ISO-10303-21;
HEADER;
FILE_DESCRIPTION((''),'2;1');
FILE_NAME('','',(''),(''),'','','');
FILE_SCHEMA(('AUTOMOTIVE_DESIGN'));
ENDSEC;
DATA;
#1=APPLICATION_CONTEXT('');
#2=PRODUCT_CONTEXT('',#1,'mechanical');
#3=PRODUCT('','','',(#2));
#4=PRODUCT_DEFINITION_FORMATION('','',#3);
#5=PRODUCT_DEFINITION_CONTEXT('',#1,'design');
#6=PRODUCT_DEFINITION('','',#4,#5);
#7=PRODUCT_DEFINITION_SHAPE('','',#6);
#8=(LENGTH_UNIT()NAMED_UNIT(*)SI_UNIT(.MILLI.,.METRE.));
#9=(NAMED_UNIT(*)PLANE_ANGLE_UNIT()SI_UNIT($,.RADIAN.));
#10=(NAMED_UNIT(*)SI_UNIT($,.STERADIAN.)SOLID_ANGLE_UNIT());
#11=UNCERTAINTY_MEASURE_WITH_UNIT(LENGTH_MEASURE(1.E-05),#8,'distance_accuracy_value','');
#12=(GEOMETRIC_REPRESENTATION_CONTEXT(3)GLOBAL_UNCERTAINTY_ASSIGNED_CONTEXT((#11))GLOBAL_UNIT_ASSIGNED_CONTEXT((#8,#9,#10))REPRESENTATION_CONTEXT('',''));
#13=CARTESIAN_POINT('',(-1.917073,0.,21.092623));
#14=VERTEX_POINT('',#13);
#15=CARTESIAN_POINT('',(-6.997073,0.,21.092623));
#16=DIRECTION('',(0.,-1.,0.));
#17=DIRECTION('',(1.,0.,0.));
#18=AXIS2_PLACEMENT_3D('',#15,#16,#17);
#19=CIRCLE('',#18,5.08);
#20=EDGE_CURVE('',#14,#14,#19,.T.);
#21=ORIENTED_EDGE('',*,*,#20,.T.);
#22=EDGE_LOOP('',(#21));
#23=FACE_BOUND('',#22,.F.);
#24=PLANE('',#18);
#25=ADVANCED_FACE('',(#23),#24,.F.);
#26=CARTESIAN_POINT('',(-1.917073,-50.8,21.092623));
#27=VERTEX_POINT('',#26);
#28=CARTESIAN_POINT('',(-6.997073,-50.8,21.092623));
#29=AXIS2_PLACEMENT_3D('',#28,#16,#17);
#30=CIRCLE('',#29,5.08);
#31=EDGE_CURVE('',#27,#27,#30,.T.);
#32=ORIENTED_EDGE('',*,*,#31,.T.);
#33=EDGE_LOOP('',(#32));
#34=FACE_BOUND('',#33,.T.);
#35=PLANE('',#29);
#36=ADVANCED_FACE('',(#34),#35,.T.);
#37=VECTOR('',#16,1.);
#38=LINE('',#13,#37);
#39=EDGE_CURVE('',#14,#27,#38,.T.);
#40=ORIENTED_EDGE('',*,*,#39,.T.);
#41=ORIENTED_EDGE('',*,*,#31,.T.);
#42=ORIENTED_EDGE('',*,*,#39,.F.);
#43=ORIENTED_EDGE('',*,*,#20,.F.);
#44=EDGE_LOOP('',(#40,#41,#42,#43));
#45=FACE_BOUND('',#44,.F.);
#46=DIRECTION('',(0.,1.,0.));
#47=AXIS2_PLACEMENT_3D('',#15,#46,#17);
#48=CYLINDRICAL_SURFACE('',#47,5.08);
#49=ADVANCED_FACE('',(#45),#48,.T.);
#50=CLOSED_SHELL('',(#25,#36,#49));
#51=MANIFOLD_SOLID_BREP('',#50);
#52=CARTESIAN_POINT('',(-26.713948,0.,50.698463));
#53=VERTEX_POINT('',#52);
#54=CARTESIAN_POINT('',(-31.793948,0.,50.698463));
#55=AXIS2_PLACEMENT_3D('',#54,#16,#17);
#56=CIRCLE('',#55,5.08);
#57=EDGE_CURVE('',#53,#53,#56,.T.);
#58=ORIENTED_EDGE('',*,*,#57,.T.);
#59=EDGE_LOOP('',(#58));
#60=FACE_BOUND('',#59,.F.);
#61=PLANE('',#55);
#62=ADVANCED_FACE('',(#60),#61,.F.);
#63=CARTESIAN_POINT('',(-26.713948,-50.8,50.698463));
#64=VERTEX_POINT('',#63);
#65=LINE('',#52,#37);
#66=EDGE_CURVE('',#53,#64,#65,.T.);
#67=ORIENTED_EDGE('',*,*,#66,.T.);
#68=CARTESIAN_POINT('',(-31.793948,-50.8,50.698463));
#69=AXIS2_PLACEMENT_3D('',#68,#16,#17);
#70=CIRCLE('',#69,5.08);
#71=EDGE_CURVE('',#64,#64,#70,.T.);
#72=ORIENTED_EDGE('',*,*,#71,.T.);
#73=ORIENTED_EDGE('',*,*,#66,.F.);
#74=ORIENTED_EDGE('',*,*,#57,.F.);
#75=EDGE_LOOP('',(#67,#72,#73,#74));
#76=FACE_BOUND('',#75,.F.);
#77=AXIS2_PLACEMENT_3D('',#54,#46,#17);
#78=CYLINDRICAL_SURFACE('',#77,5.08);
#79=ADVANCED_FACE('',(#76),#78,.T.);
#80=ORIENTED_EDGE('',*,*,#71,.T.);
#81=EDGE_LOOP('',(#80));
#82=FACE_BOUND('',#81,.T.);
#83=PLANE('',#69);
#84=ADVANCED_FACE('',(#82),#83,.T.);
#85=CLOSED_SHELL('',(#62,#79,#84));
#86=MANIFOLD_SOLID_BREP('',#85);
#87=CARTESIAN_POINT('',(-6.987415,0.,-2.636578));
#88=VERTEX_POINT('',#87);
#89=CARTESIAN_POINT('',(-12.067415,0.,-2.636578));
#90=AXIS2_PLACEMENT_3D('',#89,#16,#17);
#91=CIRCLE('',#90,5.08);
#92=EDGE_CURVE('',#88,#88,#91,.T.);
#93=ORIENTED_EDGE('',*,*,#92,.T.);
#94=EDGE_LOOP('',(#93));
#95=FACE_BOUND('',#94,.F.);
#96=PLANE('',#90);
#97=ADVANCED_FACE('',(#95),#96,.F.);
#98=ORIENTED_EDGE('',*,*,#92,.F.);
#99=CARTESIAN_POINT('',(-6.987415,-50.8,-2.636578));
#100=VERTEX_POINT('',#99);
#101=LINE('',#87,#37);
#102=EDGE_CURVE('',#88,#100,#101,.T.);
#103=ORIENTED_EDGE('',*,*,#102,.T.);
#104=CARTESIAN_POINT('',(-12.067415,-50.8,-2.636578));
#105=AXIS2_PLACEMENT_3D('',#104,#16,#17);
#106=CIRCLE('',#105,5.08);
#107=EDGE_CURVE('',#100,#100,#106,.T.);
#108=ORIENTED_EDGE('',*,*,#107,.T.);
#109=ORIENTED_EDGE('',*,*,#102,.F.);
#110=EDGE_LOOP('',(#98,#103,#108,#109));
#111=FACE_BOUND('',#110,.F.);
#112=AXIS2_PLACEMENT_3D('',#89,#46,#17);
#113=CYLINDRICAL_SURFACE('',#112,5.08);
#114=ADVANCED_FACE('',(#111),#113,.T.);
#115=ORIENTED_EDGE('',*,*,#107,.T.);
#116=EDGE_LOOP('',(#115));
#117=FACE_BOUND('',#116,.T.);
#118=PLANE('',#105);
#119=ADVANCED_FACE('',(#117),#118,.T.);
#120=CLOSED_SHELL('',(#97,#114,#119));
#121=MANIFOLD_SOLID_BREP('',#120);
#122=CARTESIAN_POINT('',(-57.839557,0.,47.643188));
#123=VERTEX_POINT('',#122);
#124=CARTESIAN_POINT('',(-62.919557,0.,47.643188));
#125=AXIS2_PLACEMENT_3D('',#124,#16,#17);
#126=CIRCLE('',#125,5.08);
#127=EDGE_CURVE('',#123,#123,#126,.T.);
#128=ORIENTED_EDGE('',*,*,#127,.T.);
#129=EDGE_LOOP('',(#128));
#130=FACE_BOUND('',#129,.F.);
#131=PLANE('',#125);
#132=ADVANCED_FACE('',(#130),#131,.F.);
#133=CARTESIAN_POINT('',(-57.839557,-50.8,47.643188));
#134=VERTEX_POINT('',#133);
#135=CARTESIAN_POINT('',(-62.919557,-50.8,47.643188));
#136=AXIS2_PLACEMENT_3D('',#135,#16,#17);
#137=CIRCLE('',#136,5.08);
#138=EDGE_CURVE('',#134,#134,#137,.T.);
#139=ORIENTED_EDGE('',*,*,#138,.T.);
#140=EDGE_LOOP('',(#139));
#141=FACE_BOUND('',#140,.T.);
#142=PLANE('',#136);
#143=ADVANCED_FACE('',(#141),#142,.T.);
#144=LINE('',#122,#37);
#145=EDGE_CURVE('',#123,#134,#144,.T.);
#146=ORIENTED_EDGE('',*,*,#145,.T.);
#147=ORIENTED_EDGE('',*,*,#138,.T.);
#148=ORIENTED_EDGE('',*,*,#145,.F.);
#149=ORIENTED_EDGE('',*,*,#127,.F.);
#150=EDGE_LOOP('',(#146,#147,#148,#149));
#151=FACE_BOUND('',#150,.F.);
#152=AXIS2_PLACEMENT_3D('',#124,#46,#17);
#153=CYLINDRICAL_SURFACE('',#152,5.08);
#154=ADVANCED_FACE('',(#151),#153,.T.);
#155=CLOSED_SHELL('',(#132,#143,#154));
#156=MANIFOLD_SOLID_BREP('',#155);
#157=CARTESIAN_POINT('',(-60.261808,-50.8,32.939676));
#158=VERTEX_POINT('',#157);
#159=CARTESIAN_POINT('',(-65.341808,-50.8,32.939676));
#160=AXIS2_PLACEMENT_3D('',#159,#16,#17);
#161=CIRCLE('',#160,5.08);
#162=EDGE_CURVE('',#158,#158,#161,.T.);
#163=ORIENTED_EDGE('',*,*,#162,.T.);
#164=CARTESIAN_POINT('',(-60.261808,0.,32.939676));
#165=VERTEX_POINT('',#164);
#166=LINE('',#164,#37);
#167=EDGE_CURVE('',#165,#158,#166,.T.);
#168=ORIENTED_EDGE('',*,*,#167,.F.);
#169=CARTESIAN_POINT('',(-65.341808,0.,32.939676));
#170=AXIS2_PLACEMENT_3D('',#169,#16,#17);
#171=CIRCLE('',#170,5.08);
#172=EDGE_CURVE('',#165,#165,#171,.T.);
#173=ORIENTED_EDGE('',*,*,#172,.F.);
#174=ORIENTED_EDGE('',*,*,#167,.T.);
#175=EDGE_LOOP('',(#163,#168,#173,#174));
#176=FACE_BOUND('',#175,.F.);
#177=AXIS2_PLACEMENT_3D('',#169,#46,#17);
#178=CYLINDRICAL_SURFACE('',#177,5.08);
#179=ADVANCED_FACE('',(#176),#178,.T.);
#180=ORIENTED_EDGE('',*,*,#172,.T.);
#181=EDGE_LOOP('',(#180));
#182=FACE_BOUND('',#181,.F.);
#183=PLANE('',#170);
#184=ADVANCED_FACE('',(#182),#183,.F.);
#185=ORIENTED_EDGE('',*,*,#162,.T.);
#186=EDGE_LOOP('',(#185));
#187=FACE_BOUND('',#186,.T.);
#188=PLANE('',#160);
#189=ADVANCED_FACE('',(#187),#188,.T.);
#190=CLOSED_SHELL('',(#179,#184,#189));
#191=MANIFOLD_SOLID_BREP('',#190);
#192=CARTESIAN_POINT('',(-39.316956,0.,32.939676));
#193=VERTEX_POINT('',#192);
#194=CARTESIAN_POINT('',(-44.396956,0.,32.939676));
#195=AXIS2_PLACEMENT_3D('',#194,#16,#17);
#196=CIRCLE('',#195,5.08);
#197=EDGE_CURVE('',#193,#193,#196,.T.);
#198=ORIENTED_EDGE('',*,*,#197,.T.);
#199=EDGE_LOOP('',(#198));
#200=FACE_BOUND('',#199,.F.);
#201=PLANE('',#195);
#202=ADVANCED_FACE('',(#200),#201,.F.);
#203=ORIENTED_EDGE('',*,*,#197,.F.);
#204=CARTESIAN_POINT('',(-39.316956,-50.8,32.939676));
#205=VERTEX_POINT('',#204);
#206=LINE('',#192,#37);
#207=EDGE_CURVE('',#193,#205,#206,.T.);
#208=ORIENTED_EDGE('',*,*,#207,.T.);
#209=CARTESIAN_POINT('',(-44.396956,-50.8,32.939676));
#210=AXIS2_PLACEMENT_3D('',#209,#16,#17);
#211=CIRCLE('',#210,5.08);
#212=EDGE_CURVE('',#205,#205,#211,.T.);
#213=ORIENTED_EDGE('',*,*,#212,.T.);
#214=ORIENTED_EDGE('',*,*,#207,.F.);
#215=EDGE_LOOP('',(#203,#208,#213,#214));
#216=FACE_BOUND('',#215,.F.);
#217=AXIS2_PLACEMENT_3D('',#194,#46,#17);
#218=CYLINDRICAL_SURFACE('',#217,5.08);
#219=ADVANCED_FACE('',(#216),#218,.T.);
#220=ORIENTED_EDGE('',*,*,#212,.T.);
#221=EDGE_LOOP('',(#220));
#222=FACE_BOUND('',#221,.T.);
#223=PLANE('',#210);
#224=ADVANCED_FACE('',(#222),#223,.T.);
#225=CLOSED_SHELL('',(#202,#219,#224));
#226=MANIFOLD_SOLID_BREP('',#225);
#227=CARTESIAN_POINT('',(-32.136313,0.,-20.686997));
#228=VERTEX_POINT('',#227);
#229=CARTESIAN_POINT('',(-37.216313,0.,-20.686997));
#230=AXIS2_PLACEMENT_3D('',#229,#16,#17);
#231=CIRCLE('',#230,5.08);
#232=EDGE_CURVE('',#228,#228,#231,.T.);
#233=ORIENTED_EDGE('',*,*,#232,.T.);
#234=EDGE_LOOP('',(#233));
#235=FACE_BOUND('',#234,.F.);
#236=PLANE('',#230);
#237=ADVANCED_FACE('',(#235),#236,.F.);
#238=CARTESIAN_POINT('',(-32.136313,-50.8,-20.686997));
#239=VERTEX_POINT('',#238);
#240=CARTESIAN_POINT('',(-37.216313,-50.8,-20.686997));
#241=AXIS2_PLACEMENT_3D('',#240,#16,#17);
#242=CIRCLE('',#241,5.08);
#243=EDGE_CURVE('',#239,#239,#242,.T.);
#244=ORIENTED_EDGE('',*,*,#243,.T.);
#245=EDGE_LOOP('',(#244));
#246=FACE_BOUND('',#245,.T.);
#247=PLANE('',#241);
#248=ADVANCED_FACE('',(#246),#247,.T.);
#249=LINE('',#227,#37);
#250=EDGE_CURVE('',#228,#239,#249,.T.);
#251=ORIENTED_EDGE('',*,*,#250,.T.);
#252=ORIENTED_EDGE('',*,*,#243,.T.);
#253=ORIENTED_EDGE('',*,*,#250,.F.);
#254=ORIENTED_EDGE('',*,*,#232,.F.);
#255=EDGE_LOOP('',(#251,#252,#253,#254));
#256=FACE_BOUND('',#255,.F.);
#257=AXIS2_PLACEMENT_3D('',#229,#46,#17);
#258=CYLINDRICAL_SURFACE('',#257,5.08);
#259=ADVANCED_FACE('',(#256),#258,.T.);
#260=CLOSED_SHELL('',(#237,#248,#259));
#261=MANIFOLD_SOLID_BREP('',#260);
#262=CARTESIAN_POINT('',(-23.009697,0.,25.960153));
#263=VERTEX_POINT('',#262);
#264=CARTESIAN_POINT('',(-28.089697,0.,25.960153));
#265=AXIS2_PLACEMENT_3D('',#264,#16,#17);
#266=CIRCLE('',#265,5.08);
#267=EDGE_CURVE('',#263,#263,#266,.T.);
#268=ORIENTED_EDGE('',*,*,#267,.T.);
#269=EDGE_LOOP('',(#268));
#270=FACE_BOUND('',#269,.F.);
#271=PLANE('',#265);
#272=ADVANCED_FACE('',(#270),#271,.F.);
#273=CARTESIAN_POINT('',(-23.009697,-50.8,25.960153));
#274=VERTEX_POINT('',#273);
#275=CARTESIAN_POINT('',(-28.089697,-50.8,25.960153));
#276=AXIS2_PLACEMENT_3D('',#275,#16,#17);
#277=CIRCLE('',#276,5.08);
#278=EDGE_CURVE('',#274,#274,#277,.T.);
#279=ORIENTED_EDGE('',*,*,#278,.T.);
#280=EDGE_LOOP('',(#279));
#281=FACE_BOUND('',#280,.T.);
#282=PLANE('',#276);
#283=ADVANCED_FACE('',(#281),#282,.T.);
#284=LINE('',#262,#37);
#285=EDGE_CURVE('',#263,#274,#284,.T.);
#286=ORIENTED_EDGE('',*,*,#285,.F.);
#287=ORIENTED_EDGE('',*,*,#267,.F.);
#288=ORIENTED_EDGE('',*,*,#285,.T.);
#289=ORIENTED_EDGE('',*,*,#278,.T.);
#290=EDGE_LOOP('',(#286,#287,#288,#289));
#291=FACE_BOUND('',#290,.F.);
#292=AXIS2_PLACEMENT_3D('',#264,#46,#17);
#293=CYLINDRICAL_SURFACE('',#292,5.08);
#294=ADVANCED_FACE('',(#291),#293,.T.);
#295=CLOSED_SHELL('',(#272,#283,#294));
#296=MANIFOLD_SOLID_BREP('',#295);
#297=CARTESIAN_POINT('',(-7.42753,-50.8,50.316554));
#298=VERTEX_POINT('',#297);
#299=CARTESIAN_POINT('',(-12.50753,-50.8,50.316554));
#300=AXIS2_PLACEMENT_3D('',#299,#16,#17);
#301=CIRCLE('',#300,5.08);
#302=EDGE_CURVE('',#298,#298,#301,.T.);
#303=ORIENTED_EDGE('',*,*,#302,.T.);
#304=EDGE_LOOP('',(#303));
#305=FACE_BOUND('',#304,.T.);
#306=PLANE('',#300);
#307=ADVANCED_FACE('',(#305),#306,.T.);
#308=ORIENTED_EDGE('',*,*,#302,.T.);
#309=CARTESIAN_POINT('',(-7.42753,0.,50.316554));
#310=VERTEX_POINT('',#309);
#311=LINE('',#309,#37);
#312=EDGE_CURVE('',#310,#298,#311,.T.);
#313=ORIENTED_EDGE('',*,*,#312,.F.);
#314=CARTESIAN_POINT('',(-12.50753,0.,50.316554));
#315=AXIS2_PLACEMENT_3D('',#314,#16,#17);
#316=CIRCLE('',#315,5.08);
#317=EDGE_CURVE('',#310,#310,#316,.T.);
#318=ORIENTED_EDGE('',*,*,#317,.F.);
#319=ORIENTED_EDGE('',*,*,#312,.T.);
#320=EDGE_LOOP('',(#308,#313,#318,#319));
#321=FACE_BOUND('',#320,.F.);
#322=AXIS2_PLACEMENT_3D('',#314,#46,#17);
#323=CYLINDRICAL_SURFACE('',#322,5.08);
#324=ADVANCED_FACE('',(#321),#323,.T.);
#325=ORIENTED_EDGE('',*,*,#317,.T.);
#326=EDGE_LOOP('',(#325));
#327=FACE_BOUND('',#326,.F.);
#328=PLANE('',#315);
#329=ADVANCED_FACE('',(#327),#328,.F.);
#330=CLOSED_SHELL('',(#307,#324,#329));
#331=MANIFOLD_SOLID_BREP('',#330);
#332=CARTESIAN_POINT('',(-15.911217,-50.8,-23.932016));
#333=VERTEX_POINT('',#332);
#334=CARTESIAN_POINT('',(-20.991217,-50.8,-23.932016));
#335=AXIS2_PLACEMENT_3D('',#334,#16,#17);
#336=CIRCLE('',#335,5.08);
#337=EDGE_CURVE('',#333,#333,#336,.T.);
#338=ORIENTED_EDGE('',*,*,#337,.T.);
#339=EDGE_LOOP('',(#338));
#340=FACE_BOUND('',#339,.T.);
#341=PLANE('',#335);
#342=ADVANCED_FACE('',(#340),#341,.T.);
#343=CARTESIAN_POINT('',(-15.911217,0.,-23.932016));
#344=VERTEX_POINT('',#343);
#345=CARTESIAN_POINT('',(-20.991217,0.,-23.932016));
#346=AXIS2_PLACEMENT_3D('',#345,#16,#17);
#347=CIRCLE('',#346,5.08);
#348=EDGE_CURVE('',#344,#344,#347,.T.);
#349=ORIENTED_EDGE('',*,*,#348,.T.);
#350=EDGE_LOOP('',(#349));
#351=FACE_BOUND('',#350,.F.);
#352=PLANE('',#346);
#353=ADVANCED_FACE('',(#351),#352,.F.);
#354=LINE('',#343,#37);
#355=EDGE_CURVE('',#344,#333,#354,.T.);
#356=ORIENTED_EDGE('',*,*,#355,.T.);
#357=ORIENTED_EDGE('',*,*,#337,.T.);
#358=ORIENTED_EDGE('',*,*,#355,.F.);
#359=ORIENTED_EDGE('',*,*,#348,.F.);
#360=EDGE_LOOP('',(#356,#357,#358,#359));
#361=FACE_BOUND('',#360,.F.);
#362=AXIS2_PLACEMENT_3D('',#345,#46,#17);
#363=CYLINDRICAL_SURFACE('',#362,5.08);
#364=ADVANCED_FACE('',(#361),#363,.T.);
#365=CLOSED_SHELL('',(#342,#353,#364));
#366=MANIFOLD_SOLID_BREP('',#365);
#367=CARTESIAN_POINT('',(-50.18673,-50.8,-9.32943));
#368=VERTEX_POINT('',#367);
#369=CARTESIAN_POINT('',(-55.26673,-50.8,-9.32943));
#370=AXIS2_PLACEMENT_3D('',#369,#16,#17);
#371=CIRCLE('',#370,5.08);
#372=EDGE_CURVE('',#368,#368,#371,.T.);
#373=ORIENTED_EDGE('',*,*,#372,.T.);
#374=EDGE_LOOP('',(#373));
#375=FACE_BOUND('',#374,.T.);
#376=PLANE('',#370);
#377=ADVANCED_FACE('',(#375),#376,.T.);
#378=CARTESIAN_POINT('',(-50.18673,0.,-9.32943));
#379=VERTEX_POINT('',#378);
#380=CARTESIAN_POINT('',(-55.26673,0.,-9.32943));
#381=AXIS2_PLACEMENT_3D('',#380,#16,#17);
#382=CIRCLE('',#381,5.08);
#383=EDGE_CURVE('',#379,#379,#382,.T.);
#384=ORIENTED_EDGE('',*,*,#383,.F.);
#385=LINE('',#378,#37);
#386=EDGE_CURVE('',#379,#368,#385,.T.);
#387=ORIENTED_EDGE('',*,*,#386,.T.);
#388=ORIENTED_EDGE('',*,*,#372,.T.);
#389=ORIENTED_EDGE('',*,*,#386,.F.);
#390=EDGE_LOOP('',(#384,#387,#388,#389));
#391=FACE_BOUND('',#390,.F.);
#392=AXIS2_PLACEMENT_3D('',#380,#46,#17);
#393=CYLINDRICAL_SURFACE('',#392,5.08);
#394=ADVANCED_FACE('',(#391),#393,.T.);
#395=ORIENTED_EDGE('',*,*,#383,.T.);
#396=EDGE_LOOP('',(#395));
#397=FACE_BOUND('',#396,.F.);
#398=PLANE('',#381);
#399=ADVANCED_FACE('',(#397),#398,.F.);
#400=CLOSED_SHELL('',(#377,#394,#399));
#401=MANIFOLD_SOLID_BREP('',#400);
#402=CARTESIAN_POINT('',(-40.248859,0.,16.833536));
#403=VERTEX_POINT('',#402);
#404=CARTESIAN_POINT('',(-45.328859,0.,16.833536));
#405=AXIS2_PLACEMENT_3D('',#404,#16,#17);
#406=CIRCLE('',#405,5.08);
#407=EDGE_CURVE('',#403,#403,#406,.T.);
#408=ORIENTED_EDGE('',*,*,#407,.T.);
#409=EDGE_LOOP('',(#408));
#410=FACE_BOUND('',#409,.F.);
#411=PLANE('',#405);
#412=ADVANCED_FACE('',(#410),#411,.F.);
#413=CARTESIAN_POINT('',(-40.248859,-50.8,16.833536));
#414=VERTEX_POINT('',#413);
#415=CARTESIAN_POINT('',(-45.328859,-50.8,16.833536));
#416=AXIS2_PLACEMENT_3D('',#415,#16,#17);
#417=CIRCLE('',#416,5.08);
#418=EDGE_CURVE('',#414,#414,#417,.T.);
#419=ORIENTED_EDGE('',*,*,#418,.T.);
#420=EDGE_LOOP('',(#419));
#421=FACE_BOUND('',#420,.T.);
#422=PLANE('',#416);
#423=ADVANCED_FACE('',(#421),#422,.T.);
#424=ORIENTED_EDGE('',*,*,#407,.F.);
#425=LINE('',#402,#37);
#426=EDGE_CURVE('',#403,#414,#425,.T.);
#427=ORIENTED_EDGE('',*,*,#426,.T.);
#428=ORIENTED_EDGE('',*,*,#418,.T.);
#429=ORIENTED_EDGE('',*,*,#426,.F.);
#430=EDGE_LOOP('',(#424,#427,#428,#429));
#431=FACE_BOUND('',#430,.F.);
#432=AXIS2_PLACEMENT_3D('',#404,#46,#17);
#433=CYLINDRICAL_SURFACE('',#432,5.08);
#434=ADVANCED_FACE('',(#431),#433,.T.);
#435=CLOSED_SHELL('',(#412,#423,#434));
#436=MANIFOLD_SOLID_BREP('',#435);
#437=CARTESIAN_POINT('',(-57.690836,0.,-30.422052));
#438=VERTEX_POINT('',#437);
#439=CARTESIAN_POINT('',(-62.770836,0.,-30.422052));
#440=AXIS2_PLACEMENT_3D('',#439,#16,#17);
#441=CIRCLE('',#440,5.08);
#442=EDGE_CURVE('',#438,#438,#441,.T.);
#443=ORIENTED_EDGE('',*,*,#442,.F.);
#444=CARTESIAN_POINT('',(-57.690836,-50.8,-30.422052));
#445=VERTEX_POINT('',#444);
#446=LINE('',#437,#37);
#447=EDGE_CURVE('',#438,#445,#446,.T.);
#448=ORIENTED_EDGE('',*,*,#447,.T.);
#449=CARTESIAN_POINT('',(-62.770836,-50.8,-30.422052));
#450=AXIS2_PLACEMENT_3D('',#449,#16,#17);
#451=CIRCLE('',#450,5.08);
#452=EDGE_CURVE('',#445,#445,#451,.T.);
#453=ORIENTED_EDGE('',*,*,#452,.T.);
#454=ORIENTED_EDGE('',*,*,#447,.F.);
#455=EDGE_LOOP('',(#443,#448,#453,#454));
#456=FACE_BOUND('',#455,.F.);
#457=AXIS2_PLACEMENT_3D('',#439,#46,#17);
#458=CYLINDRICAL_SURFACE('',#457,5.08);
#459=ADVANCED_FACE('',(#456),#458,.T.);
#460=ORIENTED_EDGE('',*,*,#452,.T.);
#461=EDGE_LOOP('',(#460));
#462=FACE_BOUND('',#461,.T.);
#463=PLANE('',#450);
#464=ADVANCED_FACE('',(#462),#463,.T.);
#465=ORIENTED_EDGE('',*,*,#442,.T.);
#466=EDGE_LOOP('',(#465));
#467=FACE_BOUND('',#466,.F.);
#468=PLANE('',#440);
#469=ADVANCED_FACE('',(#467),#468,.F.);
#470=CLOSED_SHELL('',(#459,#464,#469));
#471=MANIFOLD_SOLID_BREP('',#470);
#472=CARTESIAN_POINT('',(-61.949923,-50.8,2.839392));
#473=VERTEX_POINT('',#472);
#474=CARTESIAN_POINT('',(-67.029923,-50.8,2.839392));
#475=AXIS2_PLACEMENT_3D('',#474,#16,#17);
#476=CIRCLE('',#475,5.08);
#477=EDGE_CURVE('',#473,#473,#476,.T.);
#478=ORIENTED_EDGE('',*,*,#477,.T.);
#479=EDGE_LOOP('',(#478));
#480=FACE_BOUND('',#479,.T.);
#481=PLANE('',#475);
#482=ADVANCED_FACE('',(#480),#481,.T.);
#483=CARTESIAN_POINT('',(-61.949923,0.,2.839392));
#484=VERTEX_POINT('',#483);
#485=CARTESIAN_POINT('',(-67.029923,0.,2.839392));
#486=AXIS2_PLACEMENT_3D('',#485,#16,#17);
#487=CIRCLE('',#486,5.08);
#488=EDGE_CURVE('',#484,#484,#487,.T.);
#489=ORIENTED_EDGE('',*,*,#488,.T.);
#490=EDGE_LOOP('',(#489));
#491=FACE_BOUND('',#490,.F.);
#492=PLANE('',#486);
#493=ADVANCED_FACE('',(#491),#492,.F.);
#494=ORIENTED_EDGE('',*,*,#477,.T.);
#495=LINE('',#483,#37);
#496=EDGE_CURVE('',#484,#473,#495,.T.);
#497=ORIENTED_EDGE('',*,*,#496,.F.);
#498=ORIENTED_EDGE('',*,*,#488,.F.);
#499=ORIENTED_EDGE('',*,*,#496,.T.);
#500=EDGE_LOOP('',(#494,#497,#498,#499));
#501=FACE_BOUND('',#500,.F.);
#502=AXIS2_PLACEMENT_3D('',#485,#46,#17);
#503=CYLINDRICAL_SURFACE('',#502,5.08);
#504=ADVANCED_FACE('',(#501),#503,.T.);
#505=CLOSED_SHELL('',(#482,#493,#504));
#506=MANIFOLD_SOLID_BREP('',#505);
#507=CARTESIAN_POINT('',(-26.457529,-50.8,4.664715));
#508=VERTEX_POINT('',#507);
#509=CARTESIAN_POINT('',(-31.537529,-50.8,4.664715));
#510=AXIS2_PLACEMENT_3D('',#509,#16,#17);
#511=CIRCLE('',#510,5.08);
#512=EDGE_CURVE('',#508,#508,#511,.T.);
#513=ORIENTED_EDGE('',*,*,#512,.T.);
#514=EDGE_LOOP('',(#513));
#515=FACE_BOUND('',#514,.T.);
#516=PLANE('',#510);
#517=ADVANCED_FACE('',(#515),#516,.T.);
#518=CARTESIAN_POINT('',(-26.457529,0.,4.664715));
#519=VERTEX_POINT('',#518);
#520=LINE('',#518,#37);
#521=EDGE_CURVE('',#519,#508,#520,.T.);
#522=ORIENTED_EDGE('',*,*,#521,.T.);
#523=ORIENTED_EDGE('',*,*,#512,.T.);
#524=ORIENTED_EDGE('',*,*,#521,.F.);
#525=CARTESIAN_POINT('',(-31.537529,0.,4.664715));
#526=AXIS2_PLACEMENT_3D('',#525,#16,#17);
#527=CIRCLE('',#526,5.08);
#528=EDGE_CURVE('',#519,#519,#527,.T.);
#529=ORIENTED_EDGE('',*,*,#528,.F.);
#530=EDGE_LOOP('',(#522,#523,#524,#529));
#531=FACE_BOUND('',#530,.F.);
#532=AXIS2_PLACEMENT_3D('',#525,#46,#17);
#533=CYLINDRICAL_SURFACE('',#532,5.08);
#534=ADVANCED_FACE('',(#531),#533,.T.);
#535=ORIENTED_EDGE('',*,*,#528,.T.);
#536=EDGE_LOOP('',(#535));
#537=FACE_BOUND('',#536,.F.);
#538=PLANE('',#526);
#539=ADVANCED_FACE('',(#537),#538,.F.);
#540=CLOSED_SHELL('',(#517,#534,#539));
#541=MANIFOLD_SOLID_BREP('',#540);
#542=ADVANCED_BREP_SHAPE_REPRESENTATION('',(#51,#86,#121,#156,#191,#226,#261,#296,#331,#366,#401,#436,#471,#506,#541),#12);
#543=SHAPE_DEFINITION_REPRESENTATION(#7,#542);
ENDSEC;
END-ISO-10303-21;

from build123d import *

# Parameters (mm, degrees)
F0_R      = 5.08
F1_DEPTH  = 50.8
F2_R      = 5.08
F3_DEPTH  = 50.8
F4_R      = 5.08
F5_DEPTH  = 50.8
F6_R      = 5.08
F7_DEPTH  = 50.8
F8_R      = 5.08
F9_DEPTH  = 50.8
F10_R     = 5.08
F11_DEPTH = 50.8


with BuildPart() as f1:
    # F0 (on Front) → F1 (new body)
    with BuildSketch(Plane.XZ):
        with Locations((-62.919557, 47.643188)):
            Circle(F0_R)
    extrude(amount=F1_DEPTH)


with BuildPart() as f3:
    # F2 (on Front) → F3 (new body)
    with BuildSketch(Plane.XZ):
        with Locations((-31.793948, 50.698463)):
            Circle(F2_R)
    extrude(amount=F3_DEPTH)


with BuildPart() as f5:
    # F4 (on Front) → F5 (new body)
    with BuildSketch(Plane.XZ):
        with Locations((-12.50753, 50.316554)):
            Circle(F4_R)
    extrude(amount=F5_DEPTH)


with BuildPart() as f7:
    # F6 (on Front) → F7 (new body)
    with BuildSketch(Plane.XZ):
        with Locations((-65.341808, 32.939676)):
            Circle(F6_R)
    extrude(amount=F7_DEPTH)


with BuildPart() as f9:
    # F8 (on Front) → F9 (new body)
    with BuildSketch(Plane.XZ):
        with Locations((-44.396956, 32.939676)):
            Circle(F8_R)
    extrude(amount=F9_DEPTH)


with BuildPart() as f11:
    # F10 (on Front) → F11 (new body)
    with BuildSketch(Plane.XZ):
        with Locations((-45.328859, 16.833536)):
            Circle(F10_R)
        with Locations((-28.089697, 25.960153)):
            Circle(F10_R)
        with Locations((-31.537529, 4.664715)):
            Circle(F10_R)
        with Locations((-67.029923, 2.839392)):
            Circle(F10_R)
        with Locations((-6.997073, 21.092623)):
            Circle(F10_R)
        with Locations((-12.067415, -2.636578)):
            Circle(F10_R)
        with Locations((-55.26673, -9.32943)):
            Circle(F10_R)
        with Locations((-37.216313, -20.686997)):
            Circle(F10_R)
        with Locations((-20.991217, -23.932016)):
            Circle(F10_R)
        with Locations((-62.770836, -30.422052)):
            Circle(F10_R)
    extrude(amount=F11_DEPTH)


solid = Compound([f1.part, f3.part, f5.part, f7.part, f9.part, f11.part])
